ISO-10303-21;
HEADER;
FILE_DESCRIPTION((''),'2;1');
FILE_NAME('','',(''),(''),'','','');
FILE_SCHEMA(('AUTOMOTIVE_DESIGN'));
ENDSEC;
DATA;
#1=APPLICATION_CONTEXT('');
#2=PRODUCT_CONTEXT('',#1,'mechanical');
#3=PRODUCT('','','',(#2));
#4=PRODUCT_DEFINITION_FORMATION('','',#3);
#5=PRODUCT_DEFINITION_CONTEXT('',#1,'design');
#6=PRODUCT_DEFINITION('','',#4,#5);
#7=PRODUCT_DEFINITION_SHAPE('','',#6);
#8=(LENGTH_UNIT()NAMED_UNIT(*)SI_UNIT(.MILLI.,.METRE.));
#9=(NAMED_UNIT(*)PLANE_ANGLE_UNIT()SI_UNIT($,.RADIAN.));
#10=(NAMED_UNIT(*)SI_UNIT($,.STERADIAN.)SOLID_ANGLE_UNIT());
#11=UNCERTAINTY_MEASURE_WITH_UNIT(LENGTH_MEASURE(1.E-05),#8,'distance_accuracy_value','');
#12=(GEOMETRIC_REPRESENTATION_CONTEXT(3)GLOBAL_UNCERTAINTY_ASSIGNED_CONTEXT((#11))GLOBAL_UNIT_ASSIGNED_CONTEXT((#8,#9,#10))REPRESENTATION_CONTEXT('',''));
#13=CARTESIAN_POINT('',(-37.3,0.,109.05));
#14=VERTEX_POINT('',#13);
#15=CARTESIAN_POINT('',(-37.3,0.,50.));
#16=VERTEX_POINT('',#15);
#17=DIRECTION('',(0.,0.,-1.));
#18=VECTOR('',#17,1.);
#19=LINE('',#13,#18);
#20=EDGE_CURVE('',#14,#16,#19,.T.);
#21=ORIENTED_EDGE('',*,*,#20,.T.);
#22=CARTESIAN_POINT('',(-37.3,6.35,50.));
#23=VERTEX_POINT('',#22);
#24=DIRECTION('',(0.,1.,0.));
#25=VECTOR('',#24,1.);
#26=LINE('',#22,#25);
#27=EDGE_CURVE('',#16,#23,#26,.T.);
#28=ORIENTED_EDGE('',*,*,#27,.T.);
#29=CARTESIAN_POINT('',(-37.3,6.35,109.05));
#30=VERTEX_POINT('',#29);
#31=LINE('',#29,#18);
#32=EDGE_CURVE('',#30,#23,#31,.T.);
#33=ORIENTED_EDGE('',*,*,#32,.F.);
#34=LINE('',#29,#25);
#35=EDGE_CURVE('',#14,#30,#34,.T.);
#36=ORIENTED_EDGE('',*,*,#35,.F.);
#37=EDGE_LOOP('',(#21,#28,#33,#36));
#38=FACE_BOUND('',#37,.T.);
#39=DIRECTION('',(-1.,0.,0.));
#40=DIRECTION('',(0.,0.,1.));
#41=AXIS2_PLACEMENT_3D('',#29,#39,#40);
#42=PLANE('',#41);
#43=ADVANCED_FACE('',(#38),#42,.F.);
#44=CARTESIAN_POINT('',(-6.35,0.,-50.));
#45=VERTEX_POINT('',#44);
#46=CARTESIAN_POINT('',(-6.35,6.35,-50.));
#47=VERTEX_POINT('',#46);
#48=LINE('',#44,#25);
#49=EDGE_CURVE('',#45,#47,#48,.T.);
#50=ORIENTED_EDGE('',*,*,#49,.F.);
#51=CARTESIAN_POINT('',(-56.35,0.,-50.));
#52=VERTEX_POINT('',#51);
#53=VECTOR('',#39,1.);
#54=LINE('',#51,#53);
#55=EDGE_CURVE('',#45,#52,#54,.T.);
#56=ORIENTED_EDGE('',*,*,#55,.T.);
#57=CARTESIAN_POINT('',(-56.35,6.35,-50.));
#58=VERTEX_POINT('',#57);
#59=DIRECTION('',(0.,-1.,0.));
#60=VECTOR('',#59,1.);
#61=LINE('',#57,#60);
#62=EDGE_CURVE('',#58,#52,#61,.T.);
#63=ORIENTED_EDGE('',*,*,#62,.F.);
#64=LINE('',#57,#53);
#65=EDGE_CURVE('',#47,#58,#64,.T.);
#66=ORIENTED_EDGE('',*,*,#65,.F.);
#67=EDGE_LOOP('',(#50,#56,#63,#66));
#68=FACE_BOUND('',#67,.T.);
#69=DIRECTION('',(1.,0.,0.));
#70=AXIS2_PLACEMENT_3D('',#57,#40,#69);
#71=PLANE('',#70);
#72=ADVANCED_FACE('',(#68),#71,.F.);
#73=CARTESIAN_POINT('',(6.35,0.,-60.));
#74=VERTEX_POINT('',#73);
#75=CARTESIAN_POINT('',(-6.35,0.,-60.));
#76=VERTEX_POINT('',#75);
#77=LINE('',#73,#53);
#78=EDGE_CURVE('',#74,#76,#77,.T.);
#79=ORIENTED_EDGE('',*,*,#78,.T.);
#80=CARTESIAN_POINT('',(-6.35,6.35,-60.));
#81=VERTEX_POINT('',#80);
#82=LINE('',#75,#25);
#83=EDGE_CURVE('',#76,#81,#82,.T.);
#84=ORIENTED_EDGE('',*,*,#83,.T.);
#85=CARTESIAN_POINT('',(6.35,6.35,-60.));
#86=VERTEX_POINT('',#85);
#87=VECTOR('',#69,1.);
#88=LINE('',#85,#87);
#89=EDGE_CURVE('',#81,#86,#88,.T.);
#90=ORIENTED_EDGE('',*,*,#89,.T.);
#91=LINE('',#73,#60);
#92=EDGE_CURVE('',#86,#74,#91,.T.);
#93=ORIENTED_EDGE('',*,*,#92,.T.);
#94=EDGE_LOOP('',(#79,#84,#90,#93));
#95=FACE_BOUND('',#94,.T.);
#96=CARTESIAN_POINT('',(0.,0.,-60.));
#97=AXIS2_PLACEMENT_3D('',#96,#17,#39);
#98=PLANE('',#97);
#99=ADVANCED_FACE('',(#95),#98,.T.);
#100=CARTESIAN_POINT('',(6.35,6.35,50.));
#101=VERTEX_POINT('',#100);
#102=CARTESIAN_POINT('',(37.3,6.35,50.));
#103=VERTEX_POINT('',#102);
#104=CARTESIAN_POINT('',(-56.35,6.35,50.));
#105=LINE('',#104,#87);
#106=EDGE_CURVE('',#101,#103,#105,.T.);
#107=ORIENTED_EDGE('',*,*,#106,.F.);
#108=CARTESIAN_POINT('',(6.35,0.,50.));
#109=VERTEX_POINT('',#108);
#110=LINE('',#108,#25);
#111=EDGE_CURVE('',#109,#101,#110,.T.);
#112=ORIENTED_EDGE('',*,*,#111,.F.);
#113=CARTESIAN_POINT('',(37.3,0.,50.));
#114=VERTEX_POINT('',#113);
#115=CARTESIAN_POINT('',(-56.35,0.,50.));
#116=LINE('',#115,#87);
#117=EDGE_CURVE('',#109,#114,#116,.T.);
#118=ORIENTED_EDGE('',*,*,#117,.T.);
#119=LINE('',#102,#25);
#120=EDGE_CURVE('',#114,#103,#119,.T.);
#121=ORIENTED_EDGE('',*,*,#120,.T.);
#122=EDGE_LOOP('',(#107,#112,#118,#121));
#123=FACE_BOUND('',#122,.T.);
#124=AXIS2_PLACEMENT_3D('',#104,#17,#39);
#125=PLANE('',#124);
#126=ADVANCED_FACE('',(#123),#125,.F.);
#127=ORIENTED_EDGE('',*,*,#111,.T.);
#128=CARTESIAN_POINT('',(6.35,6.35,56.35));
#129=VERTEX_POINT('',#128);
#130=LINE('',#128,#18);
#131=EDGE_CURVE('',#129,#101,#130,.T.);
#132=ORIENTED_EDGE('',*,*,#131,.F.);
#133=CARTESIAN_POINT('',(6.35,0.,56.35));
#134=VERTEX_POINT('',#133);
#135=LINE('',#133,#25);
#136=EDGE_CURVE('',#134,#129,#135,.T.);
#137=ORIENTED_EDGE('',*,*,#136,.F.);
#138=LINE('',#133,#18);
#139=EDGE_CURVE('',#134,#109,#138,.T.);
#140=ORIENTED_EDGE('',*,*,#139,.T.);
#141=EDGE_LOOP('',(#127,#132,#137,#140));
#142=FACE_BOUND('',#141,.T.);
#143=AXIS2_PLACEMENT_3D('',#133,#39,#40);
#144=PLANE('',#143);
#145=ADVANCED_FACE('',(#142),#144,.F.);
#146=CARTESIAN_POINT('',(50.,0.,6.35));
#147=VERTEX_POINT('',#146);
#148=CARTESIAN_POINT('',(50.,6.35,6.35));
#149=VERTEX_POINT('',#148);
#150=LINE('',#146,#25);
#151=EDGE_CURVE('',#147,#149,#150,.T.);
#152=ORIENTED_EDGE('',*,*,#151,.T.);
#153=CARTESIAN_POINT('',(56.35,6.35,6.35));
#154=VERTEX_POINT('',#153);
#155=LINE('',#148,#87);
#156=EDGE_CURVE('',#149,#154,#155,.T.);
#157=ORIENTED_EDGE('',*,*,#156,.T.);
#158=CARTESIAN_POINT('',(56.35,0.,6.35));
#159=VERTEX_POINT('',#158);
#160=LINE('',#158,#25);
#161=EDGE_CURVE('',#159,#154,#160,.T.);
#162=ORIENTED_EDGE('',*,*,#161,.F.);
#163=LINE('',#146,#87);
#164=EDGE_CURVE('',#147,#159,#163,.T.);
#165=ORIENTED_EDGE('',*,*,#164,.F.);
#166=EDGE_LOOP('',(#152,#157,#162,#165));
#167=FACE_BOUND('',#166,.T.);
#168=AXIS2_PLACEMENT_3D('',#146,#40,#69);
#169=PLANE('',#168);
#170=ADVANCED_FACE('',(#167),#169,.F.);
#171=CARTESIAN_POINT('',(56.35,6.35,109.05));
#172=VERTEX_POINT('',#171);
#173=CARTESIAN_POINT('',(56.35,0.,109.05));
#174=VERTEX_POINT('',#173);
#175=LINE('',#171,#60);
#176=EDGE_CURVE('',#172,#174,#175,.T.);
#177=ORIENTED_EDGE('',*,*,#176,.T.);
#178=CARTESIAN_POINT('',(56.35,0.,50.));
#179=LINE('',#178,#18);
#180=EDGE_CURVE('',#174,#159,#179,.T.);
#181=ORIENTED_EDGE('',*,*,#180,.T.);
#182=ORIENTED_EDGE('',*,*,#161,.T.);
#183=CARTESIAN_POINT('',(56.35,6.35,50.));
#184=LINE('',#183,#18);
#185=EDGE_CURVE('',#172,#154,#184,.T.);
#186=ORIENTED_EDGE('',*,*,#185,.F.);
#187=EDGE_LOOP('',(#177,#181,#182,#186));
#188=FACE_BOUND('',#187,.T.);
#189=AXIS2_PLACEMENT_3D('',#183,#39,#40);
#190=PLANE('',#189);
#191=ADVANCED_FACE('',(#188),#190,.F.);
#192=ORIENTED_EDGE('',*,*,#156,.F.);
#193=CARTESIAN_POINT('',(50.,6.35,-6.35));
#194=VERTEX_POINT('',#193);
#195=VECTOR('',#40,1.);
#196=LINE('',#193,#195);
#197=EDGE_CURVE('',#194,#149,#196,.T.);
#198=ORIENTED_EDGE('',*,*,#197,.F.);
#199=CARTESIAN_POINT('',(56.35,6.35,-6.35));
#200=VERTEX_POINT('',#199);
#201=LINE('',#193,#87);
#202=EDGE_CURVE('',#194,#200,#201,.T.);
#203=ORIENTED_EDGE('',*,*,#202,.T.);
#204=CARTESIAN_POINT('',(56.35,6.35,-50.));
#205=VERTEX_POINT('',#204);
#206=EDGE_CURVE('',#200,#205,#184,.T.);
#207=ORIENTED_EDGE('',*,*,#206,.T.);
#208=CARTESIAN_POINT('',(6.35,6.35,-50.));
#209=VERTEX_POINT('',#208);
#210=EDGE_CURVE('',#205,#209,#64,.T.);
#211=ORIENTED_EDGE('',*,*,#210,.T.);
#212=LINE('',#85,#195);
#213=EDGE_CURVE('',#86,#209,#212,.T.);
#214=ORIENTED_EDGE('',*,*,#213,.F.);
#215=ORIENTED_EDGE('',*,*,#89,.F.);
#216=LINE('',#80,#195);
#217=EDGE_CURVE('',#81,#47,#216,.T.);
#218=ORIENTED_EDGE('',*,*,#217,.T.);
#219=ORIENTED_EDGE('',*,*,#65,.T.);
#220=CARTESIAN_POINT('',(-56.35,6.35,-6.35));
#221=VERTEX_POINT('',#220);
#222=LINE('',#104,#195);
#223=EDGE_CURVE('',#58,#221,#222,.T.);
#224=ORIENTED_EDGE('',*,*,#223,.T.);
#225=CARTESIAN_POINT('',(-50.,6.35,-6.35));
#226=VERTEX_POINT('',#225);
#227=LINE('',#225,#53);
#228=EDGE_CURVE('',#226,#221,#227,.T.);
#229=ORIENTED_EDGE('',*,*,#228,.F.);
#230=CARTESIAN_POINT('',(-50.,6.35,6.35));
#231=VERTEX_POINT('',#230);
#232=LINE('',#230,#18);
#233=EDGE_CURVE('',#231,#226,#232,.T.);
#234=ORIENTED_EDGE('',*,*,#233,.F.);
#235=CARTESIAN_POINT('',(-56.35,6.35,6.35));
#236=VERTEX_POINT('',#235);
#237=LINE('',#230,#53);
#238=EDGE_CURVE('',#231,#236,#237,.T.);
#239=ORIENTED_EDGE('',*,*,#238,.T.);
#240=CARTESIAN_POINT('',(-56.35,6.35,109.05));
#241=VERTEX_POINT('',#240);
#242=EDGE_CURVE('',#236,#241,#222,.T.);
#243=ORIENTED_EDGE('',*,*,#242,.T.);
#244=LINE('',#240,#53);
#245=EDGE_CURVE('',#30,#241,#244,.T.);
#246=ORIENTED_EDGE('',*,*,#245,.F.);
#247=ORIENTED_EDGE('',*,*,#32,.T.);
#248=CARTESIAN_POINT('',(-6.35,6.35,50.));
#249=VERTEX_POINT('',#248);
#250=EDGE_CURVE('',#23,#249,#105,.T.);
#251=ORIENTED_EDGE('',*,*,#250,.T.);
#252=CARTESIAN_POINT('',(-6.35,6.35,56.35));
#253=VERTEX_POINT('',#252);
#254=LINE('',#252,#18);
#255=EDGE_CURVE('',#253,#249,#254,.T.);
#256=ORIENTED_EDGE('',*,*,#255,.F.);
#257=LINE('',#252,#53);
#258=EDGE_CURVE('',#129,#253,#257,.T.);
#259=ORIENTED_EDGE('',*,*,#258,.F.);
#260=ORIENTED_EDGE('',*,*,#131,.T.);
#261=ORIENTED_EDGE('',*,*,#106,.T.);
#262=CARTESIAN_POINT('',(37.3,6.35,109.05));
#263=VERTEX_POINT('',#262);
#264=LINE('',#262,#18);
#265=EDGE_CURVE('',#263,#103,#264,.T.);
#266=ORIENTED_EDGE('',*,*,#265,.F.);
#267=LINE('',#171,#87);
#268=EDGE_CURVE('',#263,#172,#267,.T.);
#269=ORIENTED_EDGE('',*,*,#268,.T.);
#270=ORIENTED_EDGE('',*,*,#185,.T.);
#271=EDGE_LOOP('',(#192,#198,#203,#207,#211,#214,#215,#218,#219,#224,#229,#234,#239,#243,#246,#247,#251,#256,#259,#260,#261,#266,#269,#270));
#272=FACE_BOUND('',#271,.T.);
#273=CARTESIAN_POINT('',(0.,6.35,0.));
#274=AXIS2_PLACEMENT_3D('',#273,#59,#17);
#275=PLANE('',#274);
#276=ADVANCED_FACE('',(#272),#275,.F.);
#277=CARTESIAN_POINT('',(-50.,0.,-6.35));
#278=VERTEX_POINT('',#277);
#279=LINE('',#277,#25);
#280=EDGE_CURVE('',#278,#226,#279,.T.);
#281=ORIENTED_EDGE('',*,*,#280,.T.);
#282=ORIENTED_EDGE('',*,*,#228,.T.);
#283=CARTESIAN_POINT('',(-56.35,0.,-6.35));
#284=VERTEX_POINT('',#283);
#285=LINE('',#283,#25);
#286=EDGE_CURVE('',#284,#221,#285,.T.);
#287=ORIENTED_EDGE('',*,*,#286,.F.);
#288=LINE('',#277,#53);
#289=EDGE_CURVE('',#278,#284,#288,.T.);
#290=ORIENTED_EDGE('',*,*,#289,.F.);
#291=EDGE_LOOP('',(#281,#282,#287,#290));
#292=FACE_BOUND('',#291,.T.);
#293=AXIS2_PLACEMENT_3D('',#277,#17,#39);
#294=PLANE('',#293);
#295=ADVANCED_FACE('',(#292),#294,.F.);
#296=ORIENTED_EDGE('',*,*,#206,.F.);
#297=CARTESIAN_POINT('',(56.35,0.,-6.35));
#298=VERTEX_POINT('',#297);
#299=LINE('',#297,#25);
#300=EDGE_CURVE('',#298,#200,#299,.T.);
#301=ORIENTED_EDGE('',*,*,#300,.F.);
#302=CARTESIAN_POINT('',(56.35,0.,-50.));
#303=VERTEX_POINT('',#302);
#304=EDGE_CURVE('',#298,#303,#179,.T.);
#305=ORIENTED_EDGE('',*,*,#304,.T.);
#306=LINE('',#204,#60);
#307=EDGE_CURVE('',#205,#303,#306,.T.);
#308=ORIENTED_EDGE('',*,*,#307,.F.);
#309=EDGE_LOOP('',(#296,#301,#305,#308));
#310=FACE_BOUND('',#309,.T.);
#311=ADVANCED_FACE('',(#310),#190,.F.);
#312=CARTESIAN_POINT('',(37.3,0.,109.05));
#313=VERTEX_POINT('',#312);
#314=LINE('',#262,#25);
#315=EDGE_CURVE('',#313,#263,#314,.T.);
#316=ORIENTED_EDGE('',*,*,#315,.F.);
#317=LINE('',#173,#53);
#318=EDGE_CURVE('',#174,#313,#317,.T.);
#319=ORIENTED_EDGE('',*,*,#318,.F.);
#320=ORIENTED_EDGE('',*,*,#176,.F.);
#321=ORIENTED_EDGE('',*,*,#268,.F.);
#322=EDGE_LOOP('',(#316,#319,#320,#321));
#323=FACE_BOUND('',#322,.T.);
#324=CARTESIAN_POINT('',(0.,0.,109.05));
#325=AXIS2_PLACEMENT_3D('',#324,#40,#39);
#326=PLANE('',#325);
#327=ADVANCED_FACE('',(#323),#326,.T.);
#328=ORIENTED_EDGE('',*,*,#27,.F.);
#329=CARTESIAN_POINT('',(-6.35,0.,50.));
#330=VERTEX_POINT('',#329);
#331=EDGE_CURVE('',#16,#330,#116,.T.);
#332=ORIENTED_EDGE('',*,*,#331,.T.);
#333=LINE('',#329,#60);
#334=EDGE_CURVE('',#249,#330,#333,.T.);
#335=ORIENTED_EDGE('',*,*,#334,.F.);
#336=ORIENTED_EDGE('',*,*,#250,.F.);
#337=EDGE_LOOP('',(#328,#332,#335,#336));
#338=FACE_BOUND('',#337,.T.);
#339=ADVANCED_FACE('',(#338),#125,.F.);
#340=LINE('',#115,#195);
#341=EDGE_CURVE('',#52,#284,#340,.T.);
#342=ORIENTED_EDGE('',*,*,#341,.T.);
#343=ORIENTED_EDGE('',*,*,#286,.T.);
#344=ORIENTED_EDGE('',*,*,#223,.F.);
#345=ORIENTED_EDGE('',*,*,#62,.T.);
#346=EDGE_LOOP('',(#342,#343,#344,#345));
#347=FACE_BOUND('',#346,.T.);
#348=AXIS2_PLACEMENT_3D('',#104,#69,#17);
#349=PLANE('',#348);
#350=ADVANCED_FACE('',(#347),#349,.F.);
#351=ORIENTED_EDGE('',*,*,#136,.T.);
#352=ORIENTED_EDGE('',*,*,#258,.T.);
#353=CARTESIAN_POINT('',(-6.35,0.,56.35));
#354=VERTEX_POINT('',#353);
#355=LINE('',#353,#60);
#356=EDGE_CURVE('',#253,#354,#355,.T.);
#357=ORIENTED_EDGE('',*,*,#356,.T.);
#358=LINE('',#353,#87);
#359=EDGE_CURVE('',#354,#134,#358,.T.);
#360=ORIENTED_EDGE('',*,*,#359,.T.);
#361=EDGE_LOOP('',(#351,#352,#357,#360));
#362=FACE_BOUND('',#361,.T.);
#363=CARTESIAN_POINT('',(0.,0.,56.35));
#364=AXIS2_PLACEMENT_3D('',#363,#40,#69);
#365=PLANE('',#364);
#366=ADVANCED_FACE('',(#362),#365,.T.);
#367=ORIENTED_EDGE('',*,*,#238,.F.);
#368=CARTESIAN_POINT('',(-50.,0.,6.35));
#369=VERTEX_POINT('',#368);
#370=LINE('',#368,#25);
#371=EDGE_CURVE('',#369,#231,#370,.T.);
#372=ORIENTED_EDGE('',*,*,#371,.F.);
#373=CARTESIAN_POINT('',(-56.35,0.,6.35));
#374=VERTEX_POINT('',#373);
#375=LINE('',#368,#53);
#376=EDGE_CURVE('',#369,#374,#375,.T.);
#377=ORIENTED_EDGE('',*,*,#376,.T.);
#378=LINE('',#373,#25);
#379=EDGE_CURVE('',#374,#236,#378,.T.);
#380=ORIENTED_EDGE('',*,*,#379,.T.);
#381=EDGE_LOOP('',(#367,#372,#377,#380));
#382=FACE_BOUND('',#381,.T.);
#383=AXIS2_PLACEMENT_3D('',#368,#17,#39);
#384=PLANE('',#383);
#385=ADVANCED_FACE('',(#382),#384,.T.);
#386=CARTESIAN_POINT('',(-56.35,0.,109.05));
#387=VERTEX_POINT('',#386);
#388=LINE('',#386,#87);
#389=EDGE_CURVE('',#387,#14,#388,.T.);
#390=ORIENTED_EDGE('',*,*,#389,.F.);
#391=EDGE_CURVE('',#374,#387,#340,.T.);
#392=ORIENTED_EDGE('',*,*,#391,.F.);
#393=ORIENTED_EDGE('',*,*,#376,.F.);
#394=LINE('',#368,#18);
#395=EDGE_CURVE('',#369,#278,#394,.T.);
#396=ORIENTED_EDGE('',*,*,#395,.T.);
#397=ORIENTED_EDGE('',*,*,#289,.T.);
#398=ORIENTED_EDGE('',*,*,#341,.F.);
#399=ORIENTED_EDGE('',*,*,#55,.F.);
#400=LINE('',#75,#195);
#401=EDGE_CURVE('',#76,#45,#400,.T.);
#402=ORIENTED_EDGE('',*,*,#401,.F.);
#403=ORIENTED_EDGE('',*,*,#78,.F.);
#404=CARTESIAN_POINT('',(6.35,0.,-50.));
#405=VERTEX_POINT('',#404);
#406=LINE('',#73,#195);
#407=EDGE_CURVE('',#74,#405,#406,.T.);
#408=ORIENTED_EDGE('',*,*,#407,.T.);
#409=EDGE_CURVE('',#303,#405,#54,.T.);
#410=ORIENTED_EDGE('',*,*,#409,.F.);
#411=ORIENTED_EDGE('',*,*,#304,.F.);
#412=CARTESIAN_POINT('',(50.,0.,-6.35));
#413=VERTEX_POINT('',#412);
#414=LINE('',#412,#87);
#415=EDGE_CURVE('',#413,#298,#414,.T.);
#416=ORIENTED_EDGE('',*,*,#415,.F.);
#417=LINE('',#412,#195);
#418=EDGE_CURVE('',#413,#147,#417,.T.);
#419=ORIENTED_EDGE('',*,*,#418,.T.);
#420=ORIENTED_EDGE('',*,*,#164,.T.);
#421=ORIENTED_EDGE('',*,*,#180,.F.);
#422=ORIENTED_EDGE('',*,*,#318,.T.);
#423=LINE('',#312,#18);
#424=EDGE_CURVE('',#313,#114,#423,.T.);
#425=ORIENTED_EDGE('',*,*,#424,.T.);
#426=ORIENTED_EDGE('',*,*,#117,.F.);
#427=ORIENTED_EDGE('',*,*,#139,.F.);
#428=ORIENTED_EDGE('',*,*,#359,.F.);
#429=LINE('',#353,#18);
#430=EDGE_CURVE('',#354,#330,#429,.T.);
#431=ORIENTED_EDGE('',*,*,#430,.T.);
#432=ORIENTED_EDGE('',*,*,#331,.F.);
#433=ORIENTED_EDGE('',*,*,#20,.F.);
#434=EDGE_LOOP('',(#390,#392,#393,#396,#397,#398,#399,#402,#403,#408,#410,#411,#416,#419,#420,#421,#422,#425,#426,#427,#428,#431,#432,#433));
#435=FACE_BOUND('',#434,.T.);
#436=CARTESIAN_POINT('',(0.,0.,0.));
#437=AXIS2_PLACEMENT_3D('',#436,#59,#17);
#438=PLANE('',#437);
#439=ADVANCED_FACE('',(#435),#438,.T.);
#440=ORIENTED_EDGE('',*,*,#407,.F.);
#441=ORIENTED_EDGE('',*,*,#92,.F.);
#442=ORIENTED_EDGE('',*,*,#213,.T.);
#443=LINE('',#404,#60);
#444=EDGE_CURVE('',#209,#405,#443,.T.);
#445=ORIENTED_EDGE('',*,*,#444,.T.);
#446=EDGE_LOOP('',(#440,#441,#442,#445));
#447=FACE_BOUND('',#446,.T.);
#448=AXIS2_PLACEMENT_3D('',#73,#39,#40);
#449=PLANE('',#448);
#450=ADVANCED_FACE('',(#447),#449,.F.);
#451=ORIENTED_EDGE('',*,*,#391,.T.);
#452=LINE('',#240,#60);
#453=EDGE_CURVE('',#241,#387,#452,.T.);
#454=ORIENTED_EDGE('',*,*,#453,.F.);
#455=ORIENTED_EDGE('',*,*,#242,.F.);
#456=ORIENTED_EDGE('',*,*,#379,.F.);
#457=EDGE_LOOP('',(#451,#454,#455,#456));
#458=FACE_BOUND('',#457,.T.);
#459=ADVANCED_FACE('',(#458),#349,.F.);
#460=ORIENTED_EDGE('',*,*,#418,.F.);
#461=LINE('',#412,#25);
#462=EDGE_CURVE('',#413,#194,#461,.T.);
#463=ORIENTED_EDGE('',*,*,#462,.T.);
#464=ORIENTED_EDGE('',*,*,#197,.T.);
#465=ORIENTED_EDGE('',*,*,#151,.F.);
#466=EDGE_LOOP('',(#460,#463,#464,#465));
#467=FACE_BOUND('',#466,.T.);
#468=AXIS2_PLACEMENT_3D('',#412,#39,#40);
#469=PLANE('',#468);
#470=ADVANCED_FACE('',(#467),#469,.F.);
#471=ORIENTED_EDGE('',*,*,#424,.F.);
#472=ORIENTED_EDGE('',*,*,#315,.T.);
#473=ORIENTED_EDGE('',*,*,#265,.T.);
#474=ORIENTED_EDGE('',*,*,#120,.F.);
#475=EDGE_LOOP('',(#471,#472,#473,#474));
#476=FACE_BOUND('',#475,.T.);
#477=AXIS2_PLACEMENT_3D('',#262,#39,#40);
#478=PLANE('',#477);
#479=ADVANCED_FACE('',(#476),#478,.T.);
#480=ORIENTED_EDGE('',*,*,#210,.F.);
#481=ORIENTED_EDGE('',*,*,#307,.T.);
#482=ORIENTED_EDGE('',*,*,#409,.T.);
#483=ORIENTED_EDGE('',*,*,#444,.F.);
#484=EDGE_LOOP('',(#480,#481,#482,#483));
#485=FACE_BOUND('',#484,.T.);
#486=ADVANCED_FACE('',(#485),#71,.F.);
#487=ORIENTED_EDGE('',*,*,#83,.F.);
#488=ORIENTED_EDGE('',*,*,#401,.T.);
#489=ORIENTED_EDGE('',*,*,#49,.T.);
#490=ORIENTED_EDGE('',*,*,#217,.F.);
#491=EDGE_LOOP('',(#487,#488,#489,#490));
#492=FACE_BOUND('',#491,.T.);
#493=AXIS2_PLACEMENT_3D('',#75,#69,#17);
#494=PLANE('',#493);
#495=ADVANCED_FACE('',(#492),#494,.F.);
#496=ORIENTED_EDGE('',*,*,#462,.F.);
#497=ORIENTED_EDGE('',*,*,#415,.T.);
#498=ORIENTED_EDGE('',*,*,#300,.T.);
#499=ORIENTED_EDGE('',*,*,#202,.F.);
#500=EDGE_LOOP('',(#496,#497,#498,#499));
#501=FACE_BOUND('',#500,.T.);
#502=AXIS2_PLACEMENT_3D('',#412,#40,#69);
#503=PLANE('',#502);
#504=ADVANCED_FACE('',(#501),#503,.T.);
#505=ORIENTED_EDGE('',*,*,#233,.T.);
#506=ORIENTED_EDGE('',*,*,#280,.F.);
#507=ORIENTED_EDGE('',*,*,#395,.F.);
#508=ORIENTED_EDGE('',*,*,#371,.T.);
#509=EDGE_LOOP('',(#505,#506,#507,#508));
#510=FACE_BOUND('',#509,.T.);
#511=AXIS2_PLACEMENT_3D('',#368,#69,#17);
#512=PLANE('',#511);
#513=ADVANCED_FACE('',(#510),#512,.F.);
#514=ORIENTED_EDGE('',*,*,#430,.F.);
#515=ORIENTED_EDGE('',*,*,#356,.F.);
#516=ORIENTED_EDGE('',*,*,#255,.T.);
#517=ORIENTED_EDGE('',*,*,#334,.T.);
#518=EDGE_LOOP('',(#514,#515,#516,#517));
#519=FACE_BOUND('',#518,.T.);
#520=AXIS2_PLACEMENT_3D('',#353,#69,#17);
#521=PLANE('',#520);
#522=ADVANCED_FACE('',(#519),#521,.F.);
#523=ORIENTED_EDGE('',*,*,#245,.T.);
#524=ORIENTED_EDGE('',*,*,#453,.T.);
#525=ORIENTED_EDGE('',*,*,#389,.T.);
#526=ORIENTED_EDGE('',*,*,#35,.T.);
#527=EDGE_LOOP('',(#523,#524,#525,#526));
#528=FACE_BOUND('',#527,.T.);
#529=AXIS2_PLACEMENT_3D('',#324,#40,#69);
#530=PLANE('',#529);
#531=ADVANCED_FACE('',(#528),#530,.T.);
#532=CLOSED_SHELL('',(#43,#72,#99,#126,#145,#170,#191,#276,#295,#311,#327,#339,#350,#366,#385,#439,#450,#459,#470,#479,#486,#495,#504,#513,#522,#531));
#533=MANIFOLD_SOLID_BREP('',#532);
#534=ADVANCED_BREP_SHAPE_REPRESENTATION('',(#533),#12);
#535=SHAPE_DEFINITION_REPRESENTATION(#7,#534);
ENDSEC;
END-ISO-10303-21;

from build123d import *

# Parameters (mm, degrees)
SKETCH1_W           = 112.7
SKETCH1_H           = 100
BOSS_EXTRUDE1_DEPTH = 6.35
SKETCH2_W           = 6.35
SKETCH2_H           = 12.7
CUT_EXTRUDE1_DEPTH  = 76.601884897
CIRPATTERN1_COUNT   = 2
SKETCH5_W           = 12.7
SKETCH5_H           = 6.35
BOSS_EXTRUDE2_DEPTH = 6.35
SKETCH6_W           = 19.05
SKETCH6_H           = 6.35
BOSS_EXTRUDE3_DEPTH = 59.05
SKETCH7_W           = 12.7
SKETCH7_H           = 6.35
BOSS_EXTRUDE4_DEPTH = 10


with BuildPart() as part:
    # Sketch1 → Boss-Extrude1 (new body)
    with BuildSketch(Plane(origin=(0, 0, 0), x_dir=(1, 0, 0), z_dir=(0, 1, 0))):
        Rectangle(SKETCH1_W, SKETCH1_H)
    extrude(amount=BOSS_EXTRUDE1_DEPTH)

    # Sketch2 → Cut-Extrude1 (cut, through all)
    with BuildSketch(Plane(origin=(0, 6.35, 0), x_dir=(1, 0, 0), z_dir=(0, 1, 0))):
        with Locations((53.175, 0)):
            Rectangle(SKETCH2_W, SKETCH2_H)
    cut_extrude1 = extrude(amount=-CUT_EXTRUDE1_DEPTH, mode=Mode.SUBTRACT)

    # CirPattern1: Cut-Extrude1 ×2 about axis
    cirpattern1_axis = Axis((0, 6.35, 0), (0, 1, 0))
    for i in range(1, CIRPATTERN1_COUNT):
        add(cut_extrude1.rotate(cirpattern1_axis, i * 360 / CIRPATTERN1_COUNT), mode=Mode.SUBTRACT)

    # Sketch5 → Boss-Extrude2 (add)
    with BuildSketch(Plane.XY.offset(50)):
        with Locations((0, 3.175)):
            Rectangle(SKETCH5_W, SKETCH5_H)
    extrude(amount=BOSS_EXTRUDE2_DEPTH)

    # Sketch6 → Boss-Extrude3 (add)
    with BuildSketch(Plane.XY.offset(50)):
        with Locations((-46.825, 3.175)):
            Rectangle(SKETCH6_W, SKETCH6_H)
    boss_extrude3 = extrude(amount=BOSS_EXTRUDE3_DEPTH)

    # Mirror1: Boss-Extrude3 across plane
    add(boss_extrude3.mirror(Plane(origin=(0, 0, 0), x_dir=(0, 0, 1), z_dir=(1, 0, 0))))

    # Sketch7 → Boss-Extrude4 (add)
    with BuildSketch(Plane(origin=(0, 0, -50), x_dir=(-1, 0, 0), z_dir=(0, 0, -1))):
        with Locations((0, 3.175)):
            Rectangle(SKETCH7_W, SKETCH7_H)
    extrude(amount=BOSS_EXTRUDE4_DEPTH)


solid = part.part
